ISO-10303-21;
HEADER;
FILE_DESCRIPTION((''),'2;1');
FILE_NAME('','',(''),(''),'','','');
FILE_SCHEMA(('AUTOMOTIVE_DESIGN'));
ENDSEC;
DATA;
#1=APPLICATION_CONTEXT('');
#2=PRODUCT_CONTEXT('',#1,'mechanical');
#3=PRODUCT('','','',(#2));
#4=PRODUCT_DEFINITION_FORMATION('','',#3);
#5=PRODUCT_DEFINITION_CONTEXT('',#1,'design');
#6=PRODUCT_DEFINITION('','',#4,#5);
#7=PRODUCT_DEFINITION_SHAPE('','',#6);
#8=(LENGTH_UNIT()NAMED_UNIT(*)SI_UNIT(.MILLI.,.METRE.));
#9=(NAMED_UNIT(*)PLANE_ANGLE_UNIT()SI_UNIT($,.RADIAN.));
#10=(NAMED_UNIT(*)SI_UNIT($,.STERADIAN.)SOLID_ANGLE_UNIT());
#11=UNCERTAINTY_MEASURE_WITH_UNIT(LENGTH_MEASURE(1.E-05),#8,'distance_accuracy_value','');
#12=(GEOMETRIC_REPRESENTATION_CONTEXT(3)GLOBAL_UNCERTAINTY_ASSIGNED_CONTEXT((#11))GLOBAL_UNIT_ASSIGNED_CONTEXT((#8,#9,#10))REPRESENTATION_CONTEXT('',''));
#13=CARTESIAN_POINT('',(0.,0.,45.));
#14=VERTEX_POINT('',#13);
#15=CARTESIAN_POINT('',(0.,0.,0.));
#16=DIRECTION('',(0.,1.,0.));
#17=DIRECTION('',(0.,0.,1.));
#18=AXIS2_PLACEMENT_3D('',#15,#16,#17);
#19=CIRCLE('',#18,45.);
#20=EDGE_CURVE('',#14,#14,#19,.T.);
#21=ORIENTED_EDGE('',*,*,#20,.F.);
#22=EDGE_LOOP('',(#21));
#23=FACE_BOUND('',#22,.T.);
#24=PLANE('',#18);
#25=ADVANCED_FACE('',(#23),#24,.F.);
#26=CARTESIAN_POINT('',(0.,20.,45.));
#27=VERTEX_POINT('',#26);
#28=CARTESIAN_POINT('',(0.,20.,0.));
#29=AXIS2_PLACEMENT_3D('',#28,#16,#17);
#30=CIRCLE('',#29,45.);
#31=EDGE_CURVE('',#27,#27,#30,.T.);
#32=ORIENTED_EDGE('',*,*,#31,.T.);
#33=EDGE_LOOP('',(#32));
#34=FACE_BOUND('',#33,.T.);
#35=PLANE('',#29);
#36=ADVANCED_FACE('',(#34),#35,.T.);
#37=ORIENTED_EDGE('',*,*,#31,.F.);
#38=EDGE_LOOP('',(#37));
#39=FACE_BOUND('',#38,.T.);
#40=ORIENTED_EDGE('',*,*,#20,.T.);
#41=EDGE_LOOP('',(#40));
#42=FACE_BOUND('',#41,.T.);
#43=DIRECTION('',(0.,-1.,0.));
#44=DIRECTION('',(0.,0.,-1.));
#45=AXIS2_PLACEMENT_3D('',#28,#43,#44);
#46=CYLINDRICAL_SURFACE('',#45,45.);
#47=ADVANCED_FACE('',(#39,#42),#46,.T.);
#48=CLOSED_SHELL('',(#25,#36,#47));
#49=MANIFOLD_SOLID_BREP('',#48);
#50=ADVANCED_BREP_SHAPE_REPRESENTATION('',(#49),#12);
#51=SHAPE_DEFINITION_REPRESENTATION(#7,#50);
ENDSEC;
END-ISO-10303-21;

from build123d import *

# Parameters (mm, degrees)
SKETCH1_R           = 45
BOSS_EXTRUDE1_DEPTH = 20


with BuildPart() as part:
    # Sketch1 → Boss-Extrude1 (new body)
    with BuildSketch(Plane(origin=(0, 0, 0), x_dir=(1, 0, 0), z_dir=(0, 1, 0))):
        Circle(SKETCH1_R)
    extrude(amount=BOSS_EXTRUDE1_DEPTH)


solid = part.part
